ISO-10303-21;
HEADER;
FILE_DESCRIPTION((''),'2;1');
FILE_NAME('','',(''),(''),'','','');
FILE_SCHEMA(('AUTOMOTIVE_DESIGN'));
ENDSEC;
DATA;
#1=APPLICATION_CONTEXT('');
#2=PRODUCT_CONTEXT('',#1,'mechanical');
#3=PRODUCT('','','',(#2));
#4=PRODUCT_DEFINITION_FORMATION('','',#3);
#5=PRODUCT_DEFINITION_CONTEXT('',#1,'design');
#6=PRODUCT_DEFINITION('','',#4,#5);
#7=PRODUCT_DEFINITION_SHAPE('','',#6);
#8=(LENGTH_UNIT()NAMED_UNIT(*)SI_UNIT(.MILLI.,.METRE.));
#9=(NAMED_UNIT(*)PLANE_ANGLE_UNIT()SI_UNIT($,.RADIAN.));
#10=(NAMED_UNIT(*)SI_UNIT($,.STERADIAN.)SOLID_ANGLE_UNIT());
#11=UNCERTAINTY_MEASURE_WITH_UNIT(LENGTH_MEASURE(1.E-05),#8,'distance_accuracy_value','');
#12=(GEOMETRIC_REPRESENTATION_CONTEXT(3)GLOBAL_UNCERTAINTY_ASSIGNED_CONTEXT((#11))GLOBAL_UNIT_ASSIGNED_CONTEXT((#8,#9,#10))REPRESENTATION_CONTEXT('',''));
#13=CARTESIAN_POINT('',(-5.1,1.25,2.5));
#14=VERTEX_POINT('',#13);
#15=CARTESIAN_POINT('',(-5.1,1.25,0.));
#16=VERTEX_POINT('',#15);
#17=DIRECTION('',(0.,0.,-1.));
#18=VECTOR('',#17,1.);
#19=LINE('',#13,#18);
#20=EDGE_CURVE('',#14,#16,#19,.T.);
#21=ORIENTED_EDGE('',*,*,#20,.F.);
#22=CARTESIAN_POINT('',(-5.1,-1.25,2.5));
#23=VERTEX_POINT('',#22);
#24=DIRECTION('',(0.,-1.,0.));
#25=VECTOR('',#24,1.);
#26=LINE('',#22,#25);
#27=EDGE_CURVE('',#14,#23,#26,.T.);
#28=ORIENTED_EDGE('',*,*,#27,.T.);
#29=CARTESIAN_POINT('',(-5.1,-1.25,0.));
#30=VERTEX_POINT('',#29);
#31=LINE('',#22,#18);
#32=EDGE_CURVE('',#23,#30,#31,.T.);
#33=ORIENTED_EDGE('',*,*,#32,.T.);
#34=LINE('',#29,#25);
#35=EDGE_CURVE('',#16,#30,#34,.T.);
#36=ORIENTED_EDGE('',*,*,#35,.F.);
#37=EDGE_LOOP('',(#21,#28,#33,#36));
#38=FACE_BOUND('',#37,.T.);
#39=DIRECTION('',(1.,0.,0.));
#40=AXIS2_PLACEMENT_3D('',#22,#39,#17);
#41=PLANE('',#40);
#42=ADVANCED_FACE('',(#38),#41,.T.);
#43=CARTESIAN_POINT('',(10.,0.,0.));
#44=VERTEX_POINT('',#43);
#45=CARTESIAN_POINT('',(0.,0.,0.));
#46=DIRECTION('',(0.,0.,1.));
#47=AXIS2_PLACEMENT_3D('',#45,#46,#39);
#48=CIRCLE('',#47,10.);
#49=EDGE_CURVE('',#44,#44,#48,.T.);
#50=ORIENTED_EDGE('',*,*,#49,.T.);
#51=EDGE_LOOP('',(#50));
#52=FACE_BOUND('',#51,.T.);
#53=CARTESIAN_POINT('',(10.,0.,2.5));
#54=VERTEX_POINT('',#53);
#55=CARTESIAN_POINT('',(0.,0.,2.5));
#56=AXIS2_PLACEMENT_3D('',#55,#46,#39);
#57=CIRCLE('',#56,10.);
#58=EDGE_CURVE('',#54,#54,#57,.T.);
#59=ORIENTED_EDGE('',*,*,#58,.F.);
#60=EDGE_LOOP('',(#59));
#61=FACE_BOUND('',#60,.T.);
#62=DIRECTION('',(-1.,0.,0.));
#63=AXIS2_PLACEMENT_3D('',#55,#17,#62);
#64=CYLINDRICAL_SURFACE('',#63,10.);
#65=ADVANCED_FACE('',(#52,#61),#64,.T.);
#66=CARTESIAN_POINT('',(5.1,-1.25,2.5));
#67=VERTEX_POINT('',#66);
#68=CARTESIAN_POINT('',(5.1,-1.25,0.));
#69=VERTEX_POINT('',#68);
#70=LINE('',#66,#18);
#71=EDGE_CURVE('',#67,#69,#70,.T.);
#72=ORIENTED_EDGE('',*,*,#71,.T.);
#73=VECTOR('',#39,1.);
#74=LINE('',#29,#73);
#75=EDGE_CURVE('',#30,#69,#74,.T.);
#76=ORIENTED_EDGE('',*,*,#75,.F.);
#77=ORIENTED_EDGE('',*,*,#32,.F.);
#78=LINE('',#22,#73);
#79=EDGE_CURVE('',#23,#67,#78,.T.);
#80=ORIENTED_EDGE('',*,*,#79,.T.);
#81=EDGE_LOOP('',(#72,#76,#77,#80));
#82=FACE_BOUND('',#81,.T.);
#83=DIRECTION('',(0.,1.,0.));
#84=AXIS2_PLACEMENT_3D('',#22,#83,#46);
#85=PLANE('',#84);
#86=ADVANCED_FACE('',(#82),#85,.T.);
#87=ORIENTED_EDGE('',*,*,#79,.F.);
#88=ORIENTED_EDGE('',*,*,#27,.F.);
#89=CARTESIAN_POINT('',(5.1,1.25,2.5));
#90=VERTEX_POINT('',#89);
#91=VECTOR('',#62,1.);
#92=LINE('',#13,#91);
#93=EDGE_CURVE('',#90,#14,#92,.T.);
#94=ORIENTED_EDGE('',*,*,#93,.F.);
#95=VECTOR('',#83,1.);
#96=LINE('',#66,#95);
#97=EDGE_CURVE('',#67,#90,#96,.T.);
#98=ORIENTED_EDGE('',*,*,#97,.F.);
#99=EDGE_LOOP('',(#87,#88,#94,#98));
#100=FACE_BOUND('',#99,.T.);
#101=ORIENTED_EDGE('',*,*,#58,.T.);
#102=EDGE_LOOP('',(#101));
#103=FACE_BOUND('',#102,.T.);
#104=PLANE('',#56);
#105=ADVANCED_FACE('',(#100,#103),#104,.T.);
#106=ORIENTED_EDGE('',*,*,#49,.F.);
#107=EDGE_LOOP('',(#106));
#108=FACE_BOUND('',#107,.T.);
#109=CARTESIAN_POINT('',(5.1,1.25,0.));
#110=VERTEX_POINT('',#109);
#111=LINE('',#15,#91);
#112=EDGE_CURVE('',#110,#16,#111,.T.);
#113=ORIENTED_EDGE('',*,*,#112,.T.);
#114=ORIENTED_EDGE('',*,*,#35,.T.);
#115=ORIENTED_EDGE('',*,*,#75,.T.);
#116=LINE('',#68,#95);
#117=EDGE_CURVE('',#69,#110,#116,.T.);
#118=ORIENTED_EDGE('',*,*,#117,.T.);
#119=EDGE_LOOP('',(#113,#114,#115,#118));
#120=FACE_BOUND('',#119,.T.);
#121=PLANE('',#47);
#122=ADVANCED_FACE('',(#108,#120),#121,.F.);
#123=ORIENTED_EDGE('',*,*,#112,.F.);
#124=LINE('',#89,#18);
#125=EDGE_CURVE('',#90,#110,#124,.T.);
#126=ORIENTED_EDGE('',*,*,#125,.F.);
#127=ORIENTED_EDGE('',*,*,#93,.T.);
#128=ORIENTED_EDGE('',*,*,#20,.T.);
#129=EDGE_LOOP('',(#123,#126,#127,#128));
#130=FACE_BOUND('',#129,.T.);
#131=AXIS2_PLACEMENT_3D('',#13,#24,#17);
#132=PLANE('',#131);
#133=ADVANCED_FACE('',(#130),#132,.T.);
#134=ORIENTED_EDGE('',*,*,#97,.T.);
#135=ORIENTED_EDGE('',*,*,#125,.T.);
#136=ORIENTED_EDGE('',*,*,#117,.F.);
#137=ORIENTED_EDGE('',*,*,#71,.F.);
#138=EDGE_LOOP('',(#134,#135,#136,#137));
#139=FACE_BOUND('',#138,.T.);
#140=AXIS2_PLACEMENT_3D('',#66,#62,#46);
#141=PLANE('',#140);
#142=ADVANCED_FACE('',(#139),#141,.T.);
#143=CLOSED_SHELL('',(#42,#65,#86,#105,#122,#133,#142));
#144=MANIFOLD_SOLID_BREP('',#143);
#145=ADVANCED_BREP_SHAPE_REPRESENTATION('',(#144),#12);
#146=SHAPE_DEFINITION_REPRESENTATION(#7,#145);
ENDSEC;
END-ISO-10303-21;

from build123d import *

# Parameters (mm, degrees)
SKETCH1_R           = 10
SKETCH1_W           = 10.2
SKETCH1_H           = 2.5
BOSS_EXTRUDE1_DEPTH = 2.5


with BuildPart() as part:
    # Sketch1 → Boss-Extrude1 (new body)
    with BuildSketch(Plane.XY):
        Circle(SKETCH1_R)
        Rectangle(SKETCH1_W, SKETCH1_H, mode=Mode.SUBTRACT)
    extrude(amount=BOSS_EXTRUDE1_DEPTH)


solid = part.part
